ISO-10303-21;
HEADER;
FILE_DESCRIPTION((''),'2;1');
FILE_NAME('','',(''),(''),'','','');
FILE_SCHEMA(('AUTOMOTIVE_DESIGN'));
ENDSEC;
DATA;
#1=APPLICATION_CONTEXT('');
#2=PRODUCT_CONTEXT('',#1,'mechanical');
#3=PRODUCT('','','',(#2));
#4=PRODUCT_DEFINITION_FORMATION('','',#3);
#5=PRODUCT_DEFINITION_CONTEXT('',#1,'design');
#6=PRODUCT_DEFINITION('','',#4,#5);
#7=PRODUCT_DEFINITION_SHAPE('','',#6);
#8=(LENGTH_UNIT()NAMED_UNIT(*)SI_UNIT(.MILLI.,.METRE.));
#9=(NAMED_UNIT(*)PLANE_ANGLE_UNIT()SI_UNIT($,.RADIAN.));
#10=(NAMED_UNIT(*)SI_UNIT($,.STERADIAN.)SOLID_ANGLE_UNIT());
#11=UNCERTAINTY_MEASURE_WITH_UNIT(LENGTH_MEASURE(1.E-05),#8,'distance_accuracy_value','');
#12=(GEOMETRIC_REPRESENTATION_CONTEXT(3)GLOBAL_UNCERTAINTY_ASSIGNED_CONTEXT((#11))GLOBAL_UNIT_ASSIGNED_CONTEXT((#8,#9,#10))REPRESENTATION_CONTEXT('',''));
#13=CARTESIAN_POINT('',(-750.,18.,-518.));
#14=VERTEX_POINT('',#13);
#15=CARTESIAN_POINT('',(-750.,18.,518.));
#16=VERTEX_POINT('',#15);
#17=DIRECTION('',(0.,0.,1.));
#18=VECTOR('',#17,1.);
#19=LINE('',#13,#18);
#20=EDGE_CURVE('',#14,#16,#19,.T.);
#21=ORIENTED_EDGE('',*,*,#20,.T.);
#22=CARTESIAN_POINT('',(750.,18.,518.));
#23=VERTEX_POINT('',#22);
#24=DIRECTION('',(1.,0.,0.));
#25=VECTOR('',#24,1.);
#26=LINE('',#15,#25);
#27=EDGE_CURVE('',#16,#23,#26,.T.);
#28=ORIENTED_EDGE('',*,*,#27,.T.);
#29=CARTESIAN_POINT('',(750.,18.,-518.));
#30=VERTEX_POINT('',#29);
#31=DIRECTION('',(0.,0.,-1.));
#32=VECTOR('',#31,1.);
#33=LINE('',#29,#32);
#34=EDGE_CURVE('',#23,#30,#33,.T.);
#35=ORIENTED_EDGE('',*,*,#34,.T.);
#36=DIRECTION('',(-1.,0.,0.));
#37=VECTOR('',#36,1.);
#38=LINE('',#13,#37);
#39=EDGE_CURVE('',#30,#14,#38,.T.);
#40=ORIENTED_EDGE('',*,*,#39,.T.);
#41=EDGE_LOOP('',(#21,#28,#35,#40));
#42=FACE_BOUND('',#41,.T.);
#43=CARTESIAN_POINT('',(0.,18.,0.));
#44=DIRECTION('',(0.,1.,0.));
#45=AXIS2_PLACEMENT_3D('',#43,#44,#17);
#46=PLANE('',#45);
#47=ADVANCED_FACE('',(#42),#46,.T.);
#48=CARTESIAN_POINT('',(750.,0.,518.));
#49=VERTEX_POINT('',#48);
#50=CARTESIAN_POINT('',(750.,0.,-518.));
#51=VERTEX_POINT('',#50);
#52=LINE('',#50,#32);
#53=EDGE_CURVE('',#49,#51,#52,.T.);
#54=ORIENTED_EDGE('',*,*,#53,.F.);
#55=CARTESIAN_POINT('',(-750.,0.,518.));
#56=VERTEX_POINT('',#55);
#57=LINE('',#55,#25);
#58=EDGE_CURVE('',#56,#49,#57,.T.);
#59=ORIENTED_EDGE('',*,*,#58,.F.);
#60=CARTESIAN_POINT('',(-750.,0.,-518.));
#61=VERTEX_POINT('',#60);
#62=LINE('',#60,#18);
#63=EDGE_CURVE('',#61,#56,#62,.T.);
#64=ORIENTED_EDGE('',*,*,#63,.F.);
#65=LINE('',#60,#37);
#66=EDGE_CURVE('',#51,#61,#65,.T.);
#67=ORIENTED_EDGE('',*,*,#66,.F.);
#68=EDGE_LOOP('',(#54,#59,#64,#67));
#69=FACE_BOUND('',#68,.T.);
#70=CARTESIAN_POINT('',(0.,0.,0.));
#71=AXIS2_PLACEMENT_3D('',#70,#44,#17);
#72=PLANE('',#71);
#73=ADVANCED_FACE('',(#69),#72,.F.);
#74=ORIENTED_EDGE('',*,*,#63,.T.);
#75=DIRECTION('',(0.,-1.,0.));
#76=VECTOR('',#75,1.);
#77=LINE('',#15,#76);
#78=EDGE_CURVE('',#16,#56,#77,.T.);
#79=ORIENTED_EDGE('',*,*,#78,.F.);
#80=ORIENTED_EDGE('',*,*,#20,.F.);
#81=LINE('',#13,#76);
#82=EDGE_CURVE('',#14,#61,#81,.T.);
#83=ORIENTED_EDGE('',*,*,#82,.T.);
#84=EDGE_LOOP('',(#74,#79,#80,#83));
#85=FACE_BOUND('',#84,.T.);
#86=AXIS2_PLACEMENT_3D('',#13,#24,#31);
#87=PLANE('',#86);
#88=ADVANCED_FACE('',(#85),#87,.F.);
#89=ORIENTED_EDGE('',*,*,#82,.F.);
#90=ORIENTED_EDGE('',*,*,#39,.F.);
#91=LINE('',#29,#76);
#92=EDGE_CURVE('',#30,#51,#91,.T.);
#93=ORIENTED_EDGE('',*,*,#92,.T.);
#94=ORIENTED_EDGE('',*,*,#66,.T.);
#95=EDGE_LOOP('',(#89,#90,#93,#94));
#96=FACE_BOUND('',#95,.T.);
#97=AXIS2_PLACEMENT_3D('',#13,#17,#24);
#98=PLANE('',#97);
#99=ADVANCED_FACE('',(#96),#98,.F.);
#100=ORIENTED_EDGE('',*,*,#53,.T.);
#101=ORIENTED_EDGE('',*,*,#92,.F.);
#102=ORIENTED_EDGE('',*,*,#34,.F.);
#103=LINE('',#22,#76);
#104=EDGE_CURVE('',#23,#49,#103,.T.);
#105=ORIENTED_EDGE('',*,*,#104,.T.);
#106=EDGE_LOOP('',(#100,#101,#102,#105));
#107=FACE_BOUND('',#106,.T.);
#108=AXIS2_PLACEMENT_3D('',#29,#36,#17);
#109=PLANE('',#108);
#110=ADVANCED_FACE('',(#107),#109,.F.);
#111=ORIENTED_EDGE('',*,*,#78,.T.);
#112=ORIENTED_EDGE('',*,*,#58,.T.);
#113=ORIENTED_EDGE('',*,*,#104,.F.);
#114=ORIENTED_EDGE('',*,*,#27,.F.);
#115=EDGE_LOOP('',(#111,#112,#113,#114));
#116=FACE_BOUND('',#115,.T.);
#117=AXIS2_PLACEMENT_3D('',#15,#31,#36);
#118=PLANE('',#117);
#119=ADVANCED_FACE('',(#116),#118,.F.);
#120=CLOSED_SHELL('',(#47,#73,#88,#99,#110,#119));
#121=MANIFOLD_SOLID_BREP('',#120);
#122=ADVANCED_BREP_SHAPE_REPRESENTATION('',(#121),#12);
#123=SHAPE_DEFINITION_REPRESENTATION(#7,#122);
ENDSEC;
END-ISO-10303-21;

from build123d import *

# Parameters (mm, degrees)
ESQUISSE1_W        = 1500
ESQUISSE1_H        = 1036
BOSS_EXTRU_1_DEPTH = 18


with BuildPart() as part:
    # Esquisse1 → Boss.-Extru.1 (new body)
    with BuildSketch(Plane(origin=(0, 0, 0), x_dir=(1, 0, 0), z_dir=(0, 1, 0))):
        Rectangle(ESQUISSE1_W, ESQUISSE1_H)
    extrude(amount=BOSS_EXTRU_1_DEPTH)


solid = part.part
